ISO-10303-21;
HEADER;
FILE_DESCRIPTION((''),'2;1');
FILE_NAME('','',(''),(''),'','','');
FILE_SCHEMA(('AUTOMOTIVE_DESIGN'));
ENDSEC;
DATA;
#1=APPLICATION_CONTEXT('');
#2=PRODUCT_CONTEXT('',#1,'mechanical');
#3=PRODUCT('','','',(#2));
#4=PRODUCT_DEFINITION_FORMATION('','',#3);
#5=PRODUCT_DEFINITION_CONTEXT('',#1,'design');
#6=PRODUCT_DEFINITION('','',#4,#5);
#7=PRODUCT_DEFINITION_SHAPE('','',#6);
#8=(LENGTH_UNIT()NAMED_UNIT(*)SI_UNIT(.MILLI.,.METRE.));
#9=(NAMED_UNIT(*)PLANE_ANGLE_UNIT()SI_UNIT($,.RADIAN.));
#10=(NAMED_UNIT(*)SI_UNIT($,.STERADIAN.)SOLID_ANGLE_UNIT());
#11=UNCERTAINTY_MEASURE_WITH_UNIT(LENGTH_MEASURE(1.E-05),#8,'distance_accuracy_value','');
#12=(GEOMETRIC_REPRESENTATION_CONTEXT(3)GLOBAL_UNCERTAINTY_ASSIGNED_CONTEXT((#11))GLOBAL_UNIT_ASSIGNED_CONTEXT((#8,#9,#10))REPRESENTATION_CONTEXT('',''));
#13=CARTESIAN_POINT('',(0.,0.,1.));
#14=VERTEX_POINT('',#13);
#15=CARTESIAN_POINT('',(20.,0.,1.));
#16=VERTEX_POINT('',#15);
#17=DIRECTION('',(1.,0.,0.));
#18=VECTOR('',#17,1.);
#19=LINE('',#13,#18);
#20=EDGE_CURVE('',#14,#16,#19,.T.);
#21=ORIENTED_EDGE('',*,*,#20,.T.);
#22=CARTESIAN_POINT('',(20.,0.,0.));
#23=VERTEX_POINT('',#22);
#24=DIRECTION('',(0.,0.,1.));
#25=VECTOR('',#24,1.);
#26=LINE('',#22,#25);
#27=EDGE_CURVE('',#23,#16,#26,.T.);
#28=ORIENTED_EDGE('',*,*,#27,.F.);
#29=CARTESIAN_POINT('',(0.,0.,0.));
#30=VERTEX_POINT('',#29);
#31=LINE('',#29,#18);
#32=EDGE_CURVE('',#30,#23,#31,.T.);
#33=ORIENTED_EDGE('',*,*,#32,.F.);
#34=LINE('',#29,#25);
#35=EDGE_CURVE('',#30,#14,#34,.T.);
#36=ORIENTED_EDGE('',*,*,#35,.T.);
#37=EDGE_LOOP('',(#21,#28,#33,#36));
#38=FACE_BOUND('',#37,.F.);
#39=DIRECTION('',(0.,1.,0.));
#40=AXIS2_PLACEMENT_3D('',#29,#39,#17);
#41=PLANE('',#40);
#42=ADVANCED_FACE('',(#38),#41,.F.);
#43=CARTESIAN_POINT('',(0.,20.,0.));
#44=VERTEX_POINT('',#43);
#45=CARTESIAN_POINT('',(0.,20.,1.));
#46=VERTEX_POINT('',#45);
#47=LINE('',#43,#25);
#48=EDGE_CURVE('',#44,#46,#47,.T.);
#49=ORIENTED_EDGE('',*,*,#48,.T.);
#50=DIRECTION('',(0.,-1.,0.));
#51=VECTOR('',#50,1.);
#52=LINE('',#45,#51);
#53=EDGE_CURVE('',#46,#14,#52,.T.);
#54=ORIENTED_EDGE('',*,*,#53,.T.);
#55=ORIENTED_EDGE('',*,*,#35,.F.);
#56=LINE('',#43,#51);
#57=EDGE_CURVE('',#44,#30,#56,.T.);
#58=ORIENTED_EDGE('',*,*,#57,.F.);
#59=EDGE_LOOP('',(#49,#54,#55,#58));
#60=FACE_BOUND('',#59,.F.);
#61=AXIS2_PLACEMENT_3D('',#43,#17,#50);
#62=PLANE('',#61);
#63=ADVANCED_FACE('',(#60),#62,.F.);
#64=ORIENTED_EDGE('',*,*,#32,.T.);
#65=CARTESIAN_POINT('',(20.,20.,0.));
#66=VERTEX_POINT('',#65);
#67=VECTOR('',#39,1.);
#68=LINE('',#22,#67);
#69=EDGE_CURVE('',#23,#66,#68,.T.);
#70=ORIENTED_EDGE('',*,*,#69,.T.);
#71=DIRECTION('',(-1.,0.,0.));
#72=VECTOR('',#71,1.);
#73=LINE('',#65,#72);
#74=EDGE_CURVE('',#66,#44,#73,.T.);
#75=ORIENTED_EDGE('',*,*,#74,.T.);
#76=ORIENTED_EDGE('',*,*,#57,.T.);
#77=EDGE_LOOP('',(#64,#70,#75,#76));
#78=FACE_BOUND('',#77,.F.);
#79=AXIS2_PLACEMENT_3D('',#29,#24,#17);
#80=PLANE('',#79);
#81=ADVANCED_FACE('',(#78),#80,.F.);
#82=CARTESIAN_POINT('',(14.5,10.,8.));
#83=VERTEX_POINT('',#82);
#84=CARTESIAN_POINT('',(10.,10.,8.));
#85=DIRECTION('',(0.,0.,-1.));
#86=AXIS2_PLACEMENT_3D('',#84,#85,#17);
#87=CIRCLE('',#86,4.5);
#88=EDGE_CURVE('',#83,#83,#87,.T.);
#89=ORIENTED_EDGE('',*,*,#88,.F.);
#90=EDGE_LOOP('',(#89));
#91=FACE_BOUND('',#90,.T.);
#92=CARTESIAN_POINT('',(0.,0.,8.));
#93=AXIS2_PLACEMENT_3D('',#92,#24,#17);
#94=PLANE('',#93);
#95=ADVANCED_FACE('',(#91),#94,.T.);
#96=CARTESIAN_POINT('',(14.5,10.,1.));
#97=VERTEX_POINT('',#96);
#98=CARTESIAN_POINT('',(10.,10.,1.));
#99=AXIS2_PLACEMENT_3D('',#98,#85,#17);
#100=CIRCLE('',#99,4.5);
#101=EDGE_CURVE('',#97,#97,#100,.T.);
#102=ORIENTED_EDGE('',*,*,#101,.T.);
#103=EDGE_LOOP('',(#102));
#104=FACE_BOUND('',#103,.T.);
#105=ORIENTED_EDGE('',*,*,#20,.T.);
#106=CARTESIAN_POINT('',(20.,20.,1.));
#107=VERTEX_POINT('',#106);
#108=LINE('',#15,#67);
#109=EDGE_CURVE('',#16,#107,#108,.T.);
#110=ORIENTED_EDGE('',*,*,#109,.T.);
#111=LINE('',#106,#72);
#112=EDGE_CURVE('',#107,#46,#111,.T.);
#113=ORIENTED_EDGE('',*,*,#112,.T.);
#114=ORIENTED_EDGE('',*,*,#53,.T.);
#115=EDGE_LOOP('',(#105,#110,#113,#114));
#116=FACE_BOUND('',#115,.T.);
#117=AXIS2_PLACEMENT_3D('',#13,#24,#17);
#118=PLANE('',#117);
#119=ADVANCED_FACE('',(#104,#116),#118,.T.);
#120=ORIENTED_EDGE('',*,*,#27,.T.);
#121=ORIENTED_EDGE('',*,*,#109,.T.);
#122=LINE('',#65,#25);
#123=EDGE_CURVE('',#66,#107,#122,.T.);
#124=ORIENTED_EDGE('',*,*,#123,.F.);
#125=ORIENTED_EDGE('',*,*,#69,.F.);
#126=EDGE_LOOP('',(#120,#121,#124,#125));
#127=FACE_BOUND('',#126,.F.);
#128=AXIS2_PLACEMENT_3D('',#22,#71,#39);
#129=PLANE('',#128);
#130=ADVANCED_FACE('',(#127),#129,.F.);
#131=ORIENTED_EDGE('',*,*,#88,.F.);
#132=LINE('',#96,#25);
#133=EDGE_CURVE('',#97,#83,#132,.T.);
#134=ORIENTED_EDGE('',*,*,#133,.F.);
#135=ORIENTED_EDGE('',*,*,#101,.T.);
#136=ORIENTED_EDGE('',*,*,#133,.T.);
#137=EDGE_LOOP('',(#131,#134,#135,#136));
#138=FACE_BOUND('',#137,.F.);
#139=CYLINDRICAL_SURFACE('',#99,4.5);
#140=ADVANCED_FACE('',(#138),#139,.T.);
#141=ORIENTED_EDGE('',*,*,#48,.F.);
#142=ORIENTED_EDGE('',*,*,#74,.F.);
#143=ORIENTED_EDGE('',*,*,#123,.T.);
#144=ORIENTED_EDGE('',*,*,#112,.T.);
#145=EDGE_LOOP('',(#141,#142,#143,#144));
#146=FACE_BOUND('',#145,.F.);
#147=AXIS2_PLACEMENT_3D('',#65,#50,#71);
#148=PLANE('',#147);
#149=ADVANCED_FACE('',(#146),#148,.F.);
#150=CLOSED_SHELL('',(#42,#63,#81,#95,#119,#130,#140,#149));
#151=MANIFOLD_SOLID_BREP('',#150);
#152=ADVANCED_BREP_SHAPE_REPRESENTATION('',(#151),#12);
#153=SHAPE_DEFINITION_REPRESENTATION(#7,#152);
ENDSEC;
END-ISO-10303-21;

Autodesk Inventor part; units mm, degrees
ref_plane "YZ Plane" through (0, 0, 0) normal (1, 0, 0) x (0, 1, 0)
ref_plane "XZ Plane" through (0, 0, 0) normal (0, 1, 0) x (-1, 0, 0)
ref_plane "XY Plane" through (0, 0, 0) normal (0, 0, 1) x (1, 0, 0)
sketch "Sketch1" plane through (0, 0, 0) normal (0, 0, 1) x (1, 0, 0)
  line L0 (0, 0) -> (20, 0)
  line L1 (20, 0) -> (20, 20)
  line L2 (20, 20) -> (0, 20)
  line L3 (0, 20) -> (0, 0)
  dimension "d0" = 20
  dimension "d1" = 20
extrude "Extrusion1" add sketch "Sketch1" along normal blind 1
sketch "Sketch2" plane through (0, 0, 1) normal (0, 0, 1) x (1, 0, 0)
  line L0 (0, 20) -> (10, 20)
  line L1 (20, 20) -> (0, 20) projected
  line L2 (10, 20) -> (10, 10)
  circle A0 centre (10, 10) radius 4.5
  point P0 (0, 0)
  dimension "d4" = 10
  dimension "d5" = 10
  dimension "d6" = 9
extrude "Extrusion2" add sketch "Sketch2" along normal blind 7
thread "Thread1" size "M9x1.25" class "6g" standard "ANSI Metric M Profile" full length
properties part number "crank shaft nut"
